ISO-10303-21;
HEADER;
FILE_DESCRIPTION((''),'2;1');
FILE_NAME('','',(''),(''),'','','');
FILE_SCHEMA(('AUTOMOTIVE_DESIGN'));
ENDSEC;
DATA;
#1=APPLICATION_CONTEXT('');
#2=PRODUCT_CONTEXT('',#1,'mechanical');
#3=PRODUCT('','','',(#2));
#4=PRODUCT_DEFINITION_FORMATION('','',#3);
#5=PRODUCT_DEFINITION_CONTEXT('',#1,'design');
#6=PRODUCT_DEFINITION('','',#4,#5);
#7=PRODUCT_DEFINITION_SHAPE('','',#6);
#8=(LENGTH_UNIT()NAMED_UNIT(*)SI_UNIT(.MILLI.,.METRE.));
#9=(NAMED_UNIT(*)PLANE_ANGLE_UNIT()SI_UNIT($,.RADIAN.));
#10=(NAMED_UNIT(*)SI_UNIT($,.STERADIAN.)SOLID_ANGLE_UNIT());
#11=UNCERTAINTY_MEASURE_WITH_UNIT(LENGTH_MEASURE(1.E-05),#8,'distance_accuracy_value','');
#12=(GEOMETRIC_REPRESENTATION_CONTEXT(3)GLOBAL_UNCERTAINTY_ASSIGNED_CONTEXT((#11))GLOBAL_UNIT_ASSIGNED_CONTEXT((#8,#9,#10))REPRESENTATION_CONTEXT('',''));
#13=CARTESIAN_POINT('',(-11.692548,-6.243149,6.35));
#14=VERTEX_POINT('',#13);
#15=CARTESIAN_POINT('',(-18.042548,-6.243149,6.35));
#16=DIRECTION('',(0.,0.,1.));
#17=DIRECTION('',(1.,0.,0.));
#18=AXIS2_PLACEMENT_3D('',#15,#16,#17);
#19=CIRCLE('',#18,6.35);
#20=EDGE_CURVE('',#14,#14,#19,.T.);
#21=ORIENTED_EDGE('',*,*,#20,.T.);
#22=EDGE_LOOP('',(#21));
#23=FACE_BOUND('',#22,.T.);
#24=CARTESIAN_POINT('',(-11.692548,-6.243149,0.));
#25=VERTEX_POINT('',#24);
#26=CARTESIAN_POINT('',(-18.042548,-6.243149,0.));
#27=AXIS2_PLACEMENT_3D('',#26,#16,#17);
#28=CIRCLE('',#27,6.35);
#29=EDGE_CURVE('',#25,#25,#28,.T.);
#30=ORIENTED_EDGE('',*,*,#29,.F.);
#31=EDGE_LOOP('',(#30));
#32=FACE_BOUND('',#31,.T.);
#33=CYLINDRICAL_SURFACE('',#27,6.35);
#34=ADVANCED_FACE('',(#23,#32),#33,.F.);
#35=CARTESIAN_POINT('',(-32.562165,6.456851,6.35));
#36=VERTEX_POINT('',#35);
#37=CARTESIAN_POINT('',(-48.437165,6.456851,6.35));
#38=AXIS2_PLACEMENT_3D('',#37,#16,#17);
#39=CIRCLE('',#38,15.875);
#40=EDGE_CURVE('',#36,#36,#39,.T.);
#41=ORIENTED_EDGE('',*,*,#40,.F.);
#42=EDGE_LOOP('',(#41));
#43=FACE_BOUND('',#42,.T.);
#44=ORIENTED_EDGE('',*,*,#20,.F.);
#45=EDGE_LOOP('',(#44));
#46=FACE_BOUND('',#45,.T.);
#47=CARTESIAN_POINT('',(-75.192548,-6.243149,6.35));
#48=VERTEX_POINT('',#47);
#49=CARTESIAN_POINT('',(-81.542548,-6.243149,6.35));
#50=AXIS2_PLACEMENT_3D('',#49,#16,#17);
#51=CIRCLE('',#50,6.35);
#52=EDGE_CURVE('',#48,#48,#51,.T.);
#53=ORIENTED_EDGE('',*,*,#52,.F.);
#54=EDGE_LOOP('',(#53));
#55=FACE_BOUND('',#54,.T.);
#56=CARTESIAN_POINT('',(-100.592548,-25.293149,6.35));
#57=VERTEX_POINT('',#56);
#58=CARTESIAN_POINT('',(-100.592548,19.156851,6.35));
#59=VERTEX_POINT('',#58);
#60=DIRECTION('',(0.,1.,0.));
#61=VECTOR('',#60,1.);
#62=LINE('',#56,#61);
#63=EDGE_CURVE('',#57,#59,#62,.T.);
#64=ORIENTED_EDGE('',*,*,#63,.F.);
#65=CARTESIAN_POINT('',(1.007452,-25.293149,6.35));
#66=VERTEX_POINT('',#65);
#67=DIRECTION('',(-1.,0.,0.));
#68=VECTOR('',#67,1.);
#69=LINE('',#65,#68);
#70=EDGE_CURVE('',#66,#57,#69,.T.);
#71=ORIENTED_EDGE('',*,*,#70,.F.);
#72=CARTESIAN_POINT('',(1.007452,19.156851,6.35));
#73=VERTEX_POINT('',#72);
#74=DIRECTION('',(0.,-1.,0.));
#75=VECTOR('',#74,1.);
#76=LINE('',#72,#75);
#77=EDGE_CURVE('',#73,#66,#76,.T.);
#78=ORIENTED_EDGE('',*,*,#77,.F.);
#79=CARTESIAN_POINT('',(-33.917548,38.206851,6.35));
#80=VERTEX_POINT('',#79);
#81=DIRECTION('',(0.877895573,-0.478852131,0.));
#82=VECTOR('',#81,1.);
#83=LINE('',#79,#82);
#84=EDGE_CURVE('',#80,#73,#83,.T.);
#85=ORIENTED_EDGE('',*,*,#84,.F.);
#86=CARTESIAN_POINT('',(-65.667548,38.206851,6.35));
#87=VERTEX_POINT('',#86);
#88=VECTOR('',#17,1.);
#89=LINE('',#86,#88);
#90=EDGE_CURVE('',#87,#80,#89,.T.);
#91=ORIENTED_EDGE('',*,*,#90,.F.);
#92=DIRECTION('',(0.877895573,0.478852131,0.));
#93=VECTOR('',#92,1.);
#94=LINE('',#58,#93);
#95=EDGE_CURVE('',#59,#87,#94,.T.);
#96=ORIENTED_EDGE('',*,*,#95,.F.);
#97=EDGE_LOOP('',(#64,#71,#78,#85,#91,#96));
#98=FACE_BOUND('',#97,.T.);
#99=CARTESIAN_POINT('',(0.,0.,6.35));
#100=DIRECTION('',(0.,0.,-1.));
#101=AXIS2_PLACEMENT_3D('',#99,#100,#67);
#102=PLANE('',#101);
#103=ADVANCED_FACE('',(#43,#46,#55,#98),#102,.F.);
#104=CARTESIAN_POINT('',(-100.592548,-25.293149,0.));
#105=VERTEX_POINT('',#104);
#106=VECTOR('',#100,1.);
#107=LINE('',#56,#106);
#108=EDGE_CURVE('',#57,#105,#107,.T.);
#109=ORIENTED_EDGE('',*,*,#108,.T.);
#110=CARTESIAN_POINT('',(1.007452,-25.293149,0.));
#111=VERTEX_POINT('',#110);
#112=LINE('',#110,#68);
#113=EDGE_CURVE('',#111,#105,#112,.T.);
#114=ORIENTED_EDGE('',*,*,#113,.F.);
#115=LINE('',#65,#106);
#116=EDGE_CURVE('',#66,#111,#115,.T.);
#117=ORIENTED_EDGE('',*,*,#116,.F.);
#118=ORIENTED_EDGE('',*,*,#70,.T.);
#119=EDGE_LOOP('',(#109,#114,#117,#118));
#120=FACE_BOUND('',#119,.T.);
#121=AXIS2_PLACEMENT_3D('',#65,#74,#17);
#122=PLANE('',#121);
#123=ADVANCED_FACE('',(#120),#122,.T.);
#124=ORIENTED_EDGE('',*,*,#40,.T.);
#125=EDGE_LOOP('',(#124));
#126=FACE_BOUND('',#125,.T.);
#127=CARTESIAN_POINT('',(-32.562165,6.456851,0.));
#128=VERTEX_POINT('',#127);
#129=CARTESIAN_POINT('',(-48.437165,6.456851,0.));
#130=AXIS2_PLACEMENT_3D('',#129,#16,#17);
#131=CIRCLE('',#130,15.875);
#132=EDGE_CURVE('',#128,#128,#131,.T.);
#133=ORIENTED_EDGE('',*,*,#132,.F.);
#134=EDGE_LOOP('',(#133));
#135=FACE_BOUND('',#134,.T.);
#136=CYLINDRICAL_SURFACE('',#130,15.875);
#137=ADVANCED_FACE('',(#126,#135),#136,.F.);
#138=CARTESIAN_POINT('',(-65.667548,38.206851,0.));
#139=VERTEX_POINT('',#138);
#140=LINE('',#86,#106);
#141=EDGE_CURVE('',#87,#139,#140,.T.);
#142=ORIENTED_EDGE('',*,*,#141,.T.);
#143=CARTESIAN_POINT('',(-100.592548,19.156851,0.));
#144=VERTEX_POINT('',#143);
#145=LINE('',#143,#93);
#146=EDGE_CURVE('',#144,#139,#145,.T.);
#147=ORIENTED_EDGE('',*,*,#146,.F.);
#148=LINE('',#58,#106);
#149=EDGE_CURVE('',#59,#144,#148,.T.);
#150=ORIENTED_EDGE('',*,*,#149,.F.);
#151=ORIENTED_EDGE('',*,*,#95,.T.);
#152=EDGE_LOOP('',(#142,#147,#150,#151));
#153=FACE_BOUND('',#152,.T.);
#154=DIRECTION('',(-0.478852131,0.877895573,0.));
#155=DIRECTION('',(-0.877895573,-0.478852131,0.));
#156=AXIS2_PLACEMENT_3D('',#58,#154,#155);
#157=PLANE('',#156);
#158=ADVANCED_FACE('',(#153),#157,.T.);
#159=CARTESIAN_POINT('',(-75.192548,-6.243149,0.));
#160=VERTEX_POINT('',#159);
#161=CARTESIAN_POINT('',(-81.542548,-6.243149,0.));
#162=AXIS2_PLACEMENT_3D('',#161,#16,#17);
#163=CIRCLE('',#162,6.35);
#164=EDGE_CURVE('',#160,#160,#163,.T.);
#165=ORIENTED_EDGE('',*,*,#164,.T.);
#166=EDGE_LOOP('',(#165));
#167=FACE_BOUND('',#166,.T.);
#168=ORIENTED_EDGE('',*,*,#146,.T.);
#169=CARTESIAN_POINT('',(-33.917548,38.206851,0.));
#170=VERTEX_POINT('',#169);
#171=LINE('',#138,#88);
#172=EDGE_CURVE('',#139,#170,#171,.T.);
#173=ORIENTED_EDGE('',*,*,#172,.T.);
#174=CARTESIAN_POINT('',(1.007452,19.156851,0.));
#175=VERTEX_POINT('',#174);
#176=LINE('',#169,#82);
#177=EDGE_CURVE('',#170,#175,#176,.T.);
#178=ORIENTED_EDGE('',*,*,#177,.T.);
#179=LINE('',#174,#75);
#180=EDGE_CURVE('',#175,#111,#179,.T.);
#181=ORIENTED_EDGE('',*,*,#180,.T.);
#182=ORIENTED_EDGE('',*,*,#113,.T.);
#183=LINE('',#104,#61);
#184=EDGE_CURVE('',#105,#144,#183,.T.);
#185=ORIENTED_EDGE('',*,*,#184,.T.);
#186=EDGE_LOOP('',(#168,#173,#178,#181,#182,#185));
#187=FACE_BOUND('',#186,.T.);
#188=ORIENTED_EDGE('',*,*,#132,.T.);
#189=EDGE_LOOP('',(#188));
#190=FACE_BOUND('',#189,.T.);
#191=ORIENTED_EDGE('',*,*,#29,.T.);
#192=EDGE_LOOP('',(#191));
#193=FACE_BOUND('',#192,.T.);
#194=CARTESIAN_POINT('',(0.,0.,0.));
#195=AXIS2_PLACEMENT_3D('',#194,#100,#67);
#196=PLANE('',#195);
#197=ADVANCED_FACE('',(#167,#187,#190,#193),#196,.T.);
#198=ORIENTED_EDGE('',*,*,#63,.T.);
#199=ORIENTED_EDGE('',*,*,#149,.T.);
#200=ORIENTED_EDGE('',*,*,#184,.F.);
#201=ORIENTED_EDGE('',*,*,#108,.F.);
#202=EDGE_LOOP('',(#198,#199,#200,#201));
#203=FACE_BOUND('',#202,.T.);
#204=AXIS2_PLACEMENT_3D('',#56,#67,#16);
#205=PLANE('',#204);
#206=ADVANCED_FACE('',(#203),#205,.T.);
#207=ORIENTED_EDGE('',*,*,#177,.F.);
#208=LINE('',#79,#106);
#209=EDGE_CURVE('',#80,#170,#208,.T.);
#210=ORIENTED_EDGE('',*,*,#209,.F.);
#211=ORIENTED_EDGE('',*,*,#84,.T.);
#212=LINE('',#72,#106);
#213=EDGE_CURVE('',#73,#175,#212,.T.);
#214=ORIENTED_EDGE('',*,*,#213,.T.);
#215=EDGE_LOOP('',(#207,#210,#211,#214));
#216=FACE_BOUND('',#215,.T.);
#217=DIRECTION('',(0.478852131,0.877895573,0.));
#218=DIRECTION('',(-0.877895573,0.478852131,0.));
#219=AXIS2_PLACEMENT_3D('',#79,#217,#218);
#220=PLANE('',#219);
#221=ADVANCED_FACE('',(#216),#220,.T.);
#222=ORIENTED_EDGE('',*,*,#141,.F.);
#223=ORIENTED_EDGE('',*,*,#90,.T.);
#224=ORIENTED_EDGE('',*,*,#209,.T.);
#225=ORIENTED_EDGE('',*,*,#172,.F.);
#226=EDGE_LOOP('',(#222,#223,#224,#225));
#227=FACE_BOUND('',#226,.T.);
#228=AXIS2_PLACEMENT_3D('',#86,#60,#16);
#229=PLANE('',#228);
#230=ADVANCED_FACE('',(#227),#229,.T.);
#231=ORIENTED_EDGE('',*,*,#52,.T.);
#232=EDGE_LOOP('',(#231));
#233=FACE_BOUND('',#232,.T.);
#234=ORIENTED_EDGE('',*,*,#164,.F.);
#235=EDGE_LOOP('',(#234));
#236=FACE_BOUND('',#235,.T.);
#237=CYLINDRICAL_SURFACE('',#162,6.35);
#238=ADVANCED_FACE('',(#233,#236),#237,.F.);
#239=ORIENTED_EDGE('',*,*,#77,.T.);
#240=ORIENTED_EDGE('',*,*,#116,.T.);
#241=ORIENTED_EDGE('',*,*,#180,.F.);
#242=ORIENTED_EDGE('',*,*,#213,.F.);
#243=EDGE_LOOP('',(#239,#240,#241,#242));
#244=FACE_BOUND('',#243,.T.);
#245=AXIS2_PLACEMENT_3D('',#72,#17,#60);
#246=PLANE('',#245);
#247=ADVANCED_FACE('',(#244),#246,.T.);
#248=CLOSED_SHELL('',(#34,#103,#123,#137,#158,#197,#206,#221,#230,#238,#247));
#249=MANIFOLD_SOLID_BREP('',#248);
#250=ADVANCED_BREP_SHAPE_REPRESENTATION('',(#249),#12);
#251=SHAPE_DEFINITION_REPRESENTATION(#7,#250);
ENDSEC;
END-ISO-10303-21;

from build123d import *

# Parameters (mm, degrees)
BOSS_EXTRUDE1_DEPTH = 6.35
SKETCH2_R           = 6.35
SKETCH2_R_2         = 15.875
CUT_EXTRUDE1_DEPTH  = 108.791218051


with BuildPart() as part:
    # Sketch1 → Boss-Extrude1 (new body)
    with BuildSketch(Plane.XY):
        Polygon((-65.667548077, 38.206850962), (-33.917548077, 38.206850962), (1.007451923, 19.156850962), (1.007451923, -25.293149038), (-100.592548077, -25.293149038), (-100.592548077, 19.156850962), align=None)
    extrude(amount=BOSS_EXTRUDE1_DEPTH)

    # Sketch2 → Cut-Extrude1 (cut, through all)
    with BuildSketch(Plane.XY.offset(6.35)):
        with Locations((-81.542548077, -6.243149038)):
            Circle(SKETCH2_R)
        with Locations((-48.437164851, 6.456850962)):
            Circle(SKETCH2_R_2)
        with Locations((-18.042548077, -6.243149038)):
            Circle(SKETCH2_R)
    extrude(amount=-CUT_EXTRUDE1_DEPTH, mode=Mode.SUBTRACT)


solid = part.part
